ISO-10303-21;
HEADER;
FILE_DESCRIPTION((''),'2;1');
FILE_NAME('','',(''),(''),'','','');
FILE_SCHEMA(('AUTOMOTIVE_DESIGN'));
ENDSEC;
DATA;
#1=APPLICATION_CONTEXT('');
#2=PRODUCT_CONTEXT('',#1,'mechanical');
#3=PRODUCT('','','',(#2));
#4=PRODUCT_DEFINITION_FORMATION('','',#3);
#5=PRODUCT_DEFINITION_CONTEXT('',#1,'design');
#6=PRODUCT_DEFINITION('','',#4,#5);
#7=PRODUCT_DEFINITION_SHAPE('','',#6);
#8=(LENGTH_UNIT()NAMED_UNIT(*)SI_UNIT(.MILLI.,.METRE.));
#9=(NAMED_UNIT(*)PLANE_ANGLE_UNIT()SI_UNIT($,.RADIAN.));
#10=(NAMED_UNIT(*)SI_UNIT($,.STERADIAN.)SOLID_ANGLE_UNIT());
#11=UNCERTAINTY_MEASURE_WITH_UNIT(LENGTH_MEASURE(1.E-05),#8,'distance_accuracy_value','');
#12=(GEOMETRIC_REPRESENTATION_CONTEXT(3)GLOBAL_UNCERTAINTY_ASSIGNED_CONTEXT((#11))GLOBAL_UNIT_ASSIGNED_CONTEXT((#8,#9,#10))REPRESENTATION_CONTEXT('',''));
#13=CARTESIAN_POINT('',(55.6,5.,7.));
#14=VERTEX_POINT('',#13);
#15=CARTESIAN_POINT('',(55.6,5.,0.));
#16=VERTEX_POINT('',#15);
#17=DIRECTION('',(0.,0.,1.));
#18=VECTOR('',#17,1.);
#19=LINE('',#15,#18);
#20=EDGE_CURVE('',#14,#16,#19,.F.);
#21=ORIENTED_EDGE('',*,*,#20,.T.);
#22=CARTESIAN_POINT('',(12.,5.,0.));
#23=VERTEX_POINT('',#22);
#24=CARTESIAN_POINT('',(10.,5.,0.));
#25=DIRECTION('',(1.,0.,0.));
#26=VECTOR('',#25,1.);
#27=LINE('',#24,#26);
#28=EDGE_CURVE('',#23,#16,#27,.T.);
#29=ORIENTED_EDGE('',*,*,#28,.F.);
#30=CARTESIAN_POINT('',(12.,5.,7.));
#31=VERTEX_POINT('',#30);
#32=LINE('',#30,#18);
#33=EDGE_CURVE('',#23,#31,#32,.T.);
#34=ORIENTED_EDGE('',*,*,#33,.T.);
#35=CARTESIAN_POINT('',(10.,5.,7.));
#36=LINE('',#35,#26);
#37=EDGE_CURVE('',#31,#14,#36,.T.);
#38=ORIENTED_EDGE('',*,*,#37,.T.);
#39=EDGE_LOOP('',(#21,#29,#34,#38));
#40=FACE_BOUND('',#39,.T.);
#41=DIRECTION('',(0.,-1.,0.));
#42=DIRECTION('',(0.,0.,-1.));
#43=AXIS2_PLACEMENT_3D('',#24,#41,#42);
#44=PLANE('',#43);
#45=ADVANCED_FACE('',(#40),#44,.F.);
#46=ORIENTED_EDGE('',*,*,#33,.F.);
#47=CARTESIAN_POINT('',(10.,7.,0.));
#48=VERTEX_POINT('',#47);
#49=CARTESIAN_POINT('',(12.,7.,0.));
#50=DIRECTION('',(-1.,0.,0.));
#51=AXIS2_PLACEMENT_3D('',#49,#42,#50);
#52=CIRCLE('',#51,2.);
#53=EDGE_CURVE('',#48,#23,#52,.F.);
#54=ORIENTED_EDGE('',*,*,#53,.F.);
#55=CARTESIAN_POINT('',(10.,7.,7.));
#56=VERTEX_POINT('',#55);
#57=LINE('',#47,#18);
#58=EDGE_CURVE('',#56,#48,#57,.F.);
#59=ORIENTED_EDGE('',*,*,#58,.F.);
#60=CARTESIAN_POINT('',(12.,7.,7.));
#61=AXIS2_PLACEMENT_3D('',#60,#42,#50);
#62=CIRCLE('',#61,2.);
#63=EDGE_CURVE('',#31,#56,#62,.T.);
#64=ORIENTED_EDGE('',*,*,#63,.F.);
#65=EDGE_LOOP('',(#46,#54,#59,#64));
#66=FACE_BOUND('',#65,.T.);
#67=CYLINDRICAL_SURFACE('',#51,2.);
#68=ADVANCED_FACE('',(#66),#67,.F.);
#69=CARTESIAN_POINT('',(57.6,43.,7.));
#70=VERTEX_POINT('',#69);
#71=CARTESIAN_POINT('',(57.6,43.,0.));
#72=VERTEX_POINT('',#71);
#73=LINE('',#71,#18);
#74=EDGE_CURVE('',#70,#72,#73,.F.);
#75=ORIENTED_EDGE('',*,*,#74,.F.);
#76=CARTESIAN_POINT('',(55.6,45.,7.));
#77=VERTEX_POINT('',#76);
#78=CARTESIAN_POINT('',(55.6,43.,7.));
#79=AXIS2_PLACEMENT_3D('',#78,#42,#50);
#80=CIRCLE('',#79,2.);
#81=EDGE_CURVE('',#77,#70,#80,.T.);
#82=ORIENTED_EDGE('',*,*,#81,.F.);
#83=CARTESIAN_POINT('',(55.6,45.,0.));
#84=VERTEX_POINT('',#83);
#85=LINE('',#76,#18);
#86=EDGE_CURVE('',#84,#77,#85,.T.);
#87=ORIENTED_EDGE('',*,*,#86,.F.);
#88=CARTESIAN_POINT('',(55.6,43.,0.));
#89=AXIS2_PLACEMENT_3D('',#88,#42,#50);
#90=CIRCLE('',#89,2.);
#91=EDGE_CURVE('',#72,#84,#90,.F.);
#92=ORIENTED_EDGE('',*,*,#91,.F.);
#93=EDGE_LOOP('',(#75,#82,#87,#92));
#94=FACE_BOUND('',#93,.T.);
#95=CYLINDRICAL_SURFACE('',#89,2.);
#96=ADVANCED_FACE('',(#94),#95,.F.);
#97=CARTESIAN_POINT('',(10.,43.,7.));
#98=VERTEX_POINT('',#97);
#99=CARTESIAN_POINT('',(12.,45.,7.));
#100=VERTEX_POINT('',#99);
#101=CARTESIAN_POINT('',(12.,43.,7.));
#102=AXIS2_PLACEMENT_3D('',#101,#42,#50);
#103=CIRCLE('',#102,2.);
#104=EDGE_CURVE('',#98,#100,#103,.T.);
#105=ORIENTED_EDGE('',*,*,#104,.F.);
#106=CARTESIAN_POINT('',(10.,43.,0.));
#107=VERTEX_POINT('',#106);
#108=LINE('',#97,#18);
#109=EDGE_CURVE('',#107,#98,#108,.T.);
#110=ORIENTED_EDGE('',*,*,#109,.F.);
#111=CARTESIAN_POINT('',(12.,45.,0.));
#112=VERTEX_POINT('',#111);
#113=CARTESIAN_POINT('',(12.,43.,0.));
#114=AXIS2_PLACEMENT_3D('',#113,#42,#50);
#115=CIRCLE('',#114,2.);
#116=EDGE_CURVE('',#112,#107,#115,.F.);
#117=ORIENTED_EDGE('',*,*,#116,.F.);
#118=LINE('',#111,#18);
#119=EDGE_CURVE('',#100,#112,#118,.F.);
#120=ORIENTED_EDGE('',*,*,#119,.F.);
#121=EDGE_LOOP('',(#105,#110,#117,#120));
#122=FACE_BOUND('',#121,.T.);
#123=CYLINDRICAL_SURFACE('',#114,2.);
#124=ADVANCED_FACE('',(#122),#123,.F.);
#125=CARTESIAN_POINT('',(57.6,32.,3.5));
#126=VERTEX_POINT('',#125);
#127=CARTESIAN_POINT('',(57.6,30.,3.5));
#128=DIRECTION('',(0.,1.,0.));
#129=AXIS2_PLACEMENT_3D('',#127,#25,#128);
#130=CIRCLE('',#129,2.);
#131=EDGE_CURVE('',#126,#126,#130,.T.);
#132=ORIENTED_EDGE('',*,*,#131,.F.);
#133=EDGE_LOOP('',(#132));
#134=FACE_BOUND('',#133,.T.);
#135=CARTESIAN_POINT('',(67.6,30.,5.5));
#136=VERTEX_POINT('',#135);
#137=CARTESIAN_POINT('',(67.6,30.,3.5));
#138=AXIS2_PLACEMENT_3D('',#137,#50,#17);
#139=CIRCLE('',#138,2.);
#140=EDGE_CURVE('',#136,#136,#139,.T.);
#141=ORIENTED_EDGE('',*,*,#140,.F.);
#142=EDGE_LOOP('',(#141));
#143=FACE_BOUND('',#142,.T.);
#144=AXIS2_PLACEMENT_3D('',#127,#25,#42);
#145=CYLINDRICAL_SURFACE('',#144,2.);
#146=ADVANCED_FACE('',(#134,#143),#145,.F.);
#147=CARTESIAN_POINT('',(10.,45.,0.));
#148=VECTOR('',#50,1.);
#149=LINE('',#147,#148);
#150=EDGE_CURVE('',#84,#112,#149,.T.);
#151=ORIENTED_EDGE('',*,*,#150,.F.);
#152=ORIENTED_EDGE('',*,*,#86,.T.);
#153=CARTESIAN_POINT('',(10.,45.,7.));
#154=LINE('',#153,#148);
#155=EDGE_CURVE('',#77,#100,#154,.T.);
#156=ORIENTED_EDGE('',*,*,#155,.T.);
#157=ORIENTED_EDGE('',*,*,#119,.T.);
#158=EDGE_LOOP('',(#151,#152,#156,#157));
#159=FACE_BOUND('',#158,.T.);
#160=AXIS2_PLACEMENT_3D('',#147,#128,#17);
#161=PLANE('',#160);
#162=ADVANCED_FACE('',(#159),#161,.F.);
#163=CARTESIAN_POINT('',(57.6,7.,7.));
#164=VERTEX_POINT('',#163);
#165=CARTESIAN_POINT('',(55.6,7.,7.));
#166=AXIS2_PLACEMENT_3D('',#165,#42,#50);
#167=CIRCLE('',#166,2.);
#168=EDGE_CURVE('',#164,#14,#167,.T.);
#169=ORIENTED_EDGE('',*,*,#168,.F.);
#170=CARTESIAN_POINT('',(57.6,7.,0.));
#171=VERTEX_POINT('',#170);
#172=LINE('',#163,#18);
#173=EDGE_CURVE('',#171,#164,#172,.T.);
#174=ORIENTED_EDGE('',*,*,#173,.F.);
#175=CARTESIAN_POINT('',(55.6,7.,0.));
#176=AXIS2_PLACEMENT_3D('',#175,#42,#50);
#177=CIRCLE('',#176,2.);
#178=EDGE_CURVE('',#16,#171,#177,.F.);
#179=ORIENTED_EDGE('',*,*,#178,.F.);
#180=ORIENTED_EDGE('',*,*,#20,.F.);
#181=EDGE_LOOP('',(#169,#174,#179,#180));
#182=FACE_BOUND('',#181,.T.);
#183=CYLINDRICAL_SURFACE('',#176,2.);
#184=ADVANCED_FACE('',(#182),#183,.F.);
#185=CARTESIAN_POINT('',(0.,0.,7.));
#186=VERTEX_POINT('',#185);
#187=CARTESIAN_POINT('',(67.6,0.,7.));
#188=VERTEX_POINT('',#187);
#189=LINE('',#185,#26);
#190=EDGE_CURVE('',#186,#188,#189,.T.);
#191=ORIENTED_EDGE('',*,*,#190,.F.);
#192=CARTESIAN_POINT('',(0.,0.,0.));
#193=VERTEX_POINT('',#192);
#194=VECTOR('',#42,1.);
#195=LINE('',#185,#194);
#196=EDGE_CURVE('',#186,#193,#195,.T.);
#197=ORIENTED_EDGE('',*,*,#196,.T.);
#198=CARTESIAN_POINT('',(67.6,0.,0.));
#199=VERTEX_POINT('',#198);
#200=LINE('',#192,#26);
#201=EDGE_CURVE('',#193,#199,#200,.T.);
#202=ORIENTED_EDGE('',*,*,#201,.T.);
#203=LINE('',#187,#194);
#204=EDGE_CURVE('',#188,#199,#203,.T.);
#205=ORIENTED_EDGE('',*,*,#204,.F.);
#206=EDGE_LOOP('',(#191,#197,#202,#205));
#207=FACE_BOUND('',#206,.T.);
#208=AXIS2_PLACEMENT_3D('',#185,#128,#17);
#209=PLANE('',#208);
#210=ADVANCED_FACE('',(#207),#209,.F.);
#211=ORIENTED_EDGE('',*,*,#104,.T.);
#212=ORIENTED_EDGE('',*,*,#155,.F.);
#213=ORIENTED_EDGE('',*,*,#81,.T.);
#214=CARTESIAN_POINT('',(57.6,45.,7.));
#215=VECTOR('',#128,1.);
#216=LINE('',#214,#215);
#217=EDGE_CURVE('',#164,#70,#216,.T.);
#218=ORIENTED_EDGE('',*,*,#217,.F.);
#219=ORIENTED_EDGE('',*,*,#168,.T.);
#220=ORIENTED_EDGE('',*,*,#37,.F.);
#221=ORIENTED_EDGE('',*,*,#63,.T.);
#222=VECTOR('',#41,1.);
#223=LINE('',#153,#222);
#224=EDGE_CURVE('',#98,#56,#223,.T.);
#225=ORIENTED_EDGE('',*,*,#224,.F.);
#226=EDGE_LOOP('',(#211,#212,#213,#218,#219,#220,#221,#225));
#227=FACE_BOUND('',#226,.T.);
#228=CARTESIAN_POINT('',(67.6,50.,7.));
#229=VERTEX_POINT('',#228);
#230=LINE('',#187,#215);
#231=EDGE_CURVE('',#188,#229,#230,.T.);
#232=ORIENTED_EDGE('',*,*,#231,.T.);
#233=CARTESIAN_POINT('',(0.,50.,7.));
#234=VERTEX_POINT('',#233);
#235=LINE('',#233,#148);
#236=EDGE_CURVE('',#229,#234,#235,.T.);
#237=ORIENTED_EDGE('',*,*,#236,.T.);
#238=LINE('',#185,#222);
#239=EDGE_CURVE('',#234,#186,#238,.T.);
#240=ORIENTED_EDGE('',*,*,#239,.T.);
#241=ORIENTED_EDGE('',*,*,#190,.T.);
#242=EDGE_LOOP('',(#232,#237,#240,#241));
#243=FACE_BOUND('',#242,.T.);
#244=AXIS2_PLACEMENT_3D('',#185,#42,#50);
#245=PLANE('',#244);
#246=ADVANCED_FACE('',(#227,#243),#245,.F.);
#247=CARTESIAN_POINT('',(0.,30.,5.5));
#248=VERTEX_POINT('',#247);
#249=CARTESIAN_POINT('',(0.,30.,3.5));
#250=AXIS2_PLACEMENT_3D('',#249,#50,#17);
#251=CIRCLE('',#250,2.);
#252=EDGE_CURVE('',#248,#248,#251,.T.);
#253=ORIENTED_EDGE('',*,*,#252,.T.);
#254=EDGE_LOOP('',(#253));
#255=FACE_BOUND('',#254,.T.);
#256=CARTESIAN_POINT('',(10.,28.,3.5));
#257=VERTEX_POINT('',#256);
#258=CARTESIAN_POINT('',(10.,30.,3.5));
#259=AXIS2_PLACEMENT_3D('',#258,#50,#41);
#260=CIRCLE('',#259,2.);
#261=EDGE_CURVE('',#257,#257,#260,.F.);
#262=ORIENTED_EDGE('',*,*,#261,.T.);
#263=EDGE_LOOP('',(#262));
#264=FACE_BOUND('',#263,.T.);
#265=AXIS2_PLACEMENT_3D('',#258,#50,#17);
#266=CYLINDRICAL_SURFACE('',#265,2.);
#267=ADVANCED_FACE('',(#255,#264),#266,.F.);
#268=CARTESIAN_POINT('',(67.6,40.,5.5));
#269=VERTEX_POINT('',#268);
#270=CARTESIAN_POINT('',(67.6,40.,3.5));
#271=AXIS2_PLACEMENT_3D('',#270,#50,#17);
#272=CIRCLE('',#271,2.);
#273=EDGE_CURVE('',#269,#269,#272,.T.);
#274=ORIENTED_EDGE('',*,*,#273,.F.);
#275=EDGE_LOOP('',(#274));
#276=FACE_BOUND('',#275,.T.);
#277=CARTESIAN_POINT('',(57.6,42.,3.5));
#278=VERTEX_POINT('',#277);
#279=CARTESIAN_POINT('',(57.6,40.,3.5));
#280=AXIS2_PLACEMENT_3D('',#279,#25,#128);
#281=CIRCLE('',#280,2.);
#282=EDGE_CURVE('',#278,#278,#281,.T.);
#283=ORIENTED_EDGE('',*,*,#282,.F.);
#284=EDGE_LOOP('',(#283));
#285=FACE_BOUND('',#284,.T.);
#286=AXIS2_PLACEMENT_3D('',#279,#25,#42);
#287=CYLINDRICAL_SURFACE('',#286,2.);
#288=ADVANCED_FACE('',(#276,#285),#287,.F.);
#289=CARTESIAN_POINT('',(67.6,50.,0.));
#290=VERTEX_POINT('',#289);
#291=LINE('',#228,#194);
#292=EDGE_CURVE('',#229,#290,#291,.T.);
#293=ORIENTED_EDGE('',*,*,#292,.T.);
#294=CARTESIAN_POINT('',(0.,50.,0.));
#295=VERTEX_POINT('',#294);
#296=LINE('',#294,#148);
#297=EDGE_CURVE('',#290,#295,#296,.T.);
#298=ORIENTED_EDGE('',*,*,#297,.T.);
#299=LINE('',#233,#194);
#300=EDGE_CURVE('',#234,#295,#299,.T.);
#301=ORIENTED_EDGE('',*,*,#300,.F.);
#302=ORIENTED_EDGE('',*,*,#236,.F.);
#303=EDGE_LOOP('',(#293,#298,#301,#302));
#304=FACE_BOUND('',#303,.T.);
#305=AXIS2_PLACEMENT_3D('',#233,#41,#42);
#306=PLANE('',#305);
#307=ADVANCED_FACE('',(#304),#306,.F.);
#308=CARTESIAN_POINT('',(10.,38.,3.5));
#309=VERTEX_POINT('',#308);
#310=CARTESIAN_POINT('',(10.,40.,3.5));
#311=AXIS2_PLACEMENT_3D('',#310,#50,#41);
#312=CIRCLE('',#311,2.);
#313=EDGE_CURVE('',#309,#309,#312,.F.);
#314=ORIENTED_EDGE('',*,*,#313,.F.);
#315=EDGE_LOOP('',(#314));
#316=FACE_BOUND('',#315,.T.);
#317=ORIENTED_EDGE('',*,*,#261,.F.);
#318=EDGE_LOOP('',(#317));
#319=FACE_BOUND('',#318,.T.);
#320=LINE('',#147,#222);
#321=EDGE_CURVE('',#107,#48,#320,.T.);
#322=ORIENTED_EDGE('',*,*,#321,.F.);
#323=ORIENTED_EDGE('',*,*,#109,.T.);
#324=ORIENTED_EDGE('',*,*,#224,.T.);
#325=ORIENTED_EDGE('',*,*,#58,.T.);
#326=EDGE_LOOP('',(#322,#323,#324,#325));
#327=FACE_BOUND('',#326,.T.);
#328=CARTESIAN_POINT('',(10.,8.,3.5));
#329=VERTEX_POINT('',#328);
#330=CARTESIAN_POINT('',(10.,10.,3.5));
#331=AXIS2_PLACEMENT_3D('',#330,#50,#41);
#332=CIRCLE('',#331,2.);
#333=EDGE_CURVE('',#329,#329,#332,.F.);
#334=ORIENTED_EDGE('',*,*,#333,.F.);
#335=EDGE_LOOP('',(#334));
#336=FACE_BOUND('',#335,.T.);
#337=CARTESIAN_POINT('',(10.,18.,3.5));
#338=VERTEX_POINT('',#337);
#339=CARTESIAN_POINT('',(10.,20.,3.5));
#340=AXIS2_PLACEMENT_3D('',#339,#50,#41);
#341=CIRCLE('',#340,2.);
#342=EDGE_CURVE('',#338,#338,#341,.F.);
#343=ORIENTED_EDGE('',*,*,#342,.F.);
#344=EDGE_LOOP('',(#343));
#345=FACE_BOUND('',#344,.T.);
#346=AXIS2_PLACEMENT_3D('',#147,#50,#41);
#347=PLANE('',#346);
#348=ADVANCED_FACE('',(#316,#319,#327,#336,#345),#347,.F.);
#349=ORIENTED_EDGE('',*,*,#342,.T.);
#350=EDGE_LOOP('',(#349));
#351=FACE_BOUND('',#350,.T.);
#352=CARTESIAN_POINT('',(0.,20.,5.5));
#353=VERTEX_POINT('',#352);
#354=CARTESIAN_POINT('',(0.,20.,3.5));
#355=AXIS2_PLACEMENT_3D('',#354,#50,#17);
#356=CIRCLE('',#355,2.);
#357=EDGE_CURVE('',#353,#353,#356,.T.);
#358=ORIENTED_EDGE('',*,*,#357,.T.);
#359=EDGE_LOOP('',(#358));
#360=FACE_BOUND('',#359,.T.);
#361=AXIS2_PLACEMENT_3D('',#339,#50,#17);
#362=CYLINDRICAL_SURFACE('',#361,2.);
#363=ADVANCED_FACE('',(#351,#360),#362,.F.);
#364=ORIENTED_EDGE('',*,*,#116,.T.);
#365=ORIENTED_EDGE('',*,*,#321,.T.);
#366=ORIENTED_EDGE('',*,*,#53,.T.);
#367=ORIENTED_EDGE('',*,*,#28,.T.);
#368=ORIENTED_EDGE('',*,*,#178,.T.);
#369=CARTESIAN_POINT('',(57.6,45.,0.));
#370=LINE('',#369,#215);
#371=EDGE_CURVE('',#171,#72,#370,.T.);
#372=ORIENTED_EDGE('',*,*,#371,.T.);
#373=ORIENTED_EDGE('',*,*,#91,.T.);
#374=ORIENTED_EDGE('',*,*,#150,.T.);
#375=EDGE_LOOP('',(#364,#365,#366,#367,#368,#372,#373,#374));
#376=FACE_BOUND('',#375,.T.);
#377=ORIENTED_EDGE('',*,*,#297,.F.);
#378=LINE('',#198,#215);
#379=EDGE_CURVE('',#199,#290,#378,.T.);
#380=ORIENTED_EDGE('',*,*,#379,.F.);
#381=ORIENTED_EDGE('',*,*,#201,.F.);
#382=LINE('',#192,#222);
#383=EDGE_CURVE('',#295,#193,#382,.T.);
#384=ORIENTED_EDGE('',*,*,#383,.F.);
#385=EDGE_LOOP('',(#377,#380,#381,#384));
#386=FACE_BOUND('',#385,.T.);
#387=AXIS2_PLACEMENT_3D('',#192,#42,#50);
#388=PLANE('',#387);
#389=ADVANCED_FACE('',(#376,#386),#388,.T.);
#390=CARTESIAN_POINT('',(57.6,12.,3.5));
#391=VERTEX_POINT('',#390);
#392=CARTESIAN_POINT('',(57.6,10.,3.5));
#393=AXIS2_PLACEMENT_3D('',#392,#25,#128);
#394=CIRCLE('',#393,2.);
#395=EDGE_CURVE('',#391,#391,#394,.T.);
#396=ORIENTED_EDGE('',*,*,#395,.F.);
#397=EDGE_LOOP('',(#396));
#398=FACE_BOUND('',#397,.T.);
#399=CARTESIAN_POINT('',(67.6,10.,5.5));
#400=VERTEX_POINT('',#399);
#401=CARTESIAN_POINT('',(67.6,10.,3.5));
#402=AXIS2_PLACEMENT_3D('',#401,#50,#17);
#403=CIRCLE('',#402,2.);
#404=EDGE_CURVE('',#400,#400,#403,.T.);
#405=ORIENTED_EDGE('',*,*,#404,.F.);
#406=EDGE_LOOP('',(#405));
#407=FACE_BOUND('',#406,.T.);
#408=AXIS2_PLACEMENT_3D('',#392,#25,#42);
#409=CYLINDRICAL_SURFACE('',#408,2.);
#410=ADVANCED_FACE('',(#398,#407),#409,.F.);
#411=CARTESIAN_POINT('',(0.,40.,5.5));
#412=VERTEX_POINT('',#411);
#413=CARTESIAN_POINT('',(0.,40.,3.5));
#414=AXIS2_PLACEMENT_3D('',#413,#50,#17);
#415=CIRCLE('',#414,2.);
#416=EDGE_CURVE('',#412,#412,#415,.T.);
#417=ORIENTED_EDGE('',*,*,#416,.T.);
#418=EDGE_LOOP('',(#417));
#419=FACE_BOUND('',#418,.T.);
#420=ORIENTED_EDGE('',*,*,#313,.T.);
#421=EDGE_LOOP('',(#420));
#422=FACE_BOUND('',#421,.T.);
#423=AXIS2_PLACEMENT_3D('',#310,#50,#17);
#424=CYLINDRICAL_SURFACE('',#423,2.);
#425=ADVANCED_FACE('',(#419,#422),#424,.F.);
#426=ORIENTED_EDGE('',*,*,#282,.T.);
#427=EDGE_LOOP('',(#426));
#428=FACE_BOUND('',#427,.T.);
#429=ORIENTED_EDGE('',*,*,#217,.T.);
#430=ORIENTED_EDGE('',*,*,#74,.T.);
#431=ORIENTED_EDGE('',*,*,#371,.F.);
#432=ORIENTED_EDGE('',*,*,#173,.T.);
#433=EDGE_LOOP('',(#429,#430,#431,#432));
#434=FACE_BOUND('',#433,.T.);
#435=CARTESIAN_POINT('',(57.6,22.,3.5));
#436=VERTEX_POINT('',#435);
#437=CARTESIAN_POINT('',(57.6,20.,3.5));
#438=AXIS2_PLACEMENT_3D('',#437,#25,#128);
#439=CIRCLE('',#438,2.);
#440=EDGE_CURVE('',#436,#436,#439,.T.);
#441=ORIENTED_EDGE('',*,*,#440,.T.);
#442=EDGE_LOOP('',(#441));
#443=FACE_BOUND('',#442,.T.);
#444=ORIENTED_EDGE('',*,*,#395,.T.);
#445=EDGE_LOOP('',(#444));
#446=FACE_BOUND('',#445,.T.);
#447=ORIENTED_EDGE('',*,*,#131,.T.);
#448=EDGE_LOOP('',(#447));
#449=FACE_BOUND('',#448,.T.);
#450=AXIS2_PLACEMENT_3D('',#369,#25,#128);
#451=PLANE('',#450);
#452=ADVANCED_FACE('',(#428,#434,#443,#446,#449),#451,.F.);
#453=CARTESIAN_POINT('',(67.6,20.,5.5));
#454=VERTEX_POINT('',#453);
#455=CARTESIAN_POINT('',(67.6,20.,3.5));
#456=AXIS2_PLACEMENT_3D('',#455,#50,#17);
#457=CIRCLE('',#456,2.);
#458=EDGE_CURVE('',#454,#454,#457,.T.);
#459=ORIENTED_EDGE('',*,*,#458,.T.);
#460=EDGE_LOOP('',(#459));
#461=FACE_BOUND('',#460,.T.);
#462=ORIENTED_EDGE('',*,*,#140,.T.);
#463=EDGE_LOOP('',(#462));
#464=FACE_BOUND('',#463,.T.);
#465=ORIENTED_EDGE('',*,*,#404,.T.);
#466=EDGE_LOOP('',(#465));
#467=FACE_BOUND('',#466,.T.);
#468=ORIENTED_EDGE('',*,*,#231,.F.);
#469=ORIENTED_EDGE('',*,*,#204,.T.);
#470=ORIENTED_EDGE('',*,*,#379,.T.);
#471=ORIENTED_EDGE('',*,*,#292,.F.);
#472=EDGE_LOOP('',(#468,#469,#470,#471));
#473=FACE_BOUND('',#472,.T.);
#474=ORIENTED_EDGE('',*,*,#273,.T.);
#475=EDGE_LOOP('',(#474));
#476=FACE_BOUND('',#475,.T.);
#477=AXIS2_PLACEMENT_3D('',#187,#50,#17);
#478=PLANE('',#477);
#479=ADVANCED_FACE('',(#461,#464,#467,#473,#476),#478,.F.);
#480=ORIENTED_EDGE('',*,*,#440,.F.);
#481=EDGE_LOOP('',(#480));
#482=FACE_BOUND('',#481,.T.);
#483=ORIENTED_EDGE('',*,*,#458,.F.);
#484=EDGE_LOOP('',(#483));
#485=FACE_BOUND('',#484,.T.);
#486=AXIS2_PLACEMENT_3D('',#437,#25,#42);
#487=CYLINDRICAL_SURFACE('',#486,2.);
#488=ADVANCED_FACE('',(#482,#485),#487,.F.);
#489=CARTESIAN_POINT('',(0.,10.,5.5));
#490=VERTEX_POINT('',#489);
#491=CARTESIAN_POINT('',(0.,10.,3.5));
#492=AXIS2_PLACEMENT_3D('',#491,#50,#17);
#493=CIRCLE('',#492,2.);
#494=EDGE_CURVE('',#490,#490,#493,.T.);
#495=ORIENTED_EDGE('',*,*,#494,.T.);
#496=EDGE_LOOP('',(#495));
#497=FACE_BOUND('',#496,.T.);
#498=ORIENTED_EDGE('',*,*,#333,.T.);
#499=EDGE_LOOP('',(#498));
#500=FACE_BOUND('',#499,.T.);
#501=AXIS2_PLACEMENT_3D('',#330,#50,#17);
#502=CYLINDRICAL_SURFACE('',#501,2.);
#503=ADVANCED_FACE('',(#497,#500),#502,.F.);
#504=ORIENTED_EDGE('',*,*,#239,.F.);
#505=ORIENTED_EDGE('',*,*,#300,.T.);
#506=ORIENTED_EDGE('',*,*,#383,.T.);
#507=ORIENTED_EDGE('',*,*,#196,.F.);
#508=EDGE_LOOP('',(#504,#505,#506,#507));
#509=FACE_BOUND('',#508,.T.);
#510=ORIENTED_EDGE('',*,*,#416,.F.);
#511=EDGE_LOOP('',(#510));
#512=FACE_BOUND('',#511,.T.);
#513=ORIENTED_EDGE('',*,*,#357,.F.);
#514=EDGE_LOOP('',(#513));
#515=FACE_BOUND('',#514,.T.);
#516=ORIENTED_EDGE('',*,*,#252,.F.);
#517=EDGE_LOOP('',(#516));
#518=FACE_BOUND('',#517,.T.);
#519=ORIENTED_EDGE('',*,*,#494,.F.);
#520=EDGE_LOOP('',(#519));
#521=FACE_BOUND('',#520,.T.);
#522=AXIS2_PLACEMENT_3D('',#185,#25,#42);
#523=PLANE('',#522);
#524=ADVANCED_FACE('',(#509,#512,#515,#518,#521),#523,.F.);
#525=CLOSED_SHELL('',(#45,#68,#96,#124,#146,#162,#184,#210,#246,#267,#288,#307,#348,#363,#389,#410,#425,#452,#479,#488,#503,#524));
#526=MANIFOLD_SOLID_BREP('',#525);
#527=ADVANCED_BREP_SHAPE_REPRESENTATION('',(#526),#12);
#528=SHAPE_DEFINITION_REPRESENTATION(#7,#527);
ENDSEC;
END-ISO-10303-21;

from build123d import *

# Parameters (mm, degrees)
SKETCH_1_W          = 67.6
SKETCH_1_H          = 50
EXTRUDE_1_DEPTH     = 7
SKETCH_2_R          = 2
CUT_EXTRUDE_1_DEPTH = 10
SKETCH_3_W          = 47.6
SKETCH_3_H          = 40
CUT_EXTRUDE_2_DEPTH = 7
FILLET_1_R          = 2


with BuildPart() as part:
    # 草图1 → 凸台-拉伸1 (new body)
    with BuildSketch(Plane.XY):
        with Locations((33.8, 25)):
            Rectangle(SKETCH_1_W, SKETCH_1_H)
    extrude(amount=EXTRUDE_1_DEPTH)

    # 草图2 → 切除-拉伸1 (cut)
    with BuildSketch(Plane.ZY):
        with Locations((3.5, 40)):
            Circle(SKETCH_2_R)
        with Locations((3.5, 30)):
            Circle(SKETCH_2_R)
        with Locations((3.5, 20)):
            Circle(SKETCH_2_R)
        with Locations((3.5, 10)):
            Circle(SKETCH_2_R)
    cut_extrude_1 = extrude(amount=-CUT_EXTRUDE_1_DEPTH, mode=Mode.SUBTRACT)

    # 镜向1: 切除-拉伸1 across plane
    add(cut_extrude_1.mirror(Plane(origin=(33.8, 0, 0), x_dir=(0, 0, 1), z_dir=(1, 0, 0))), mode=Mode.SUBTRACT)

    # 草图3 → 切除-拉伸2 (cut)
    with BuildSketch(Plane.XY.offset(7)):
        with Locations((33.8, 25)):
            Rectangle(SKETCH_3_W, SKETCH_3_H)
    extrude(amount=-CUT_EXTRUDE_2_DEPTH, mode=Mode.SUBTRACT)

    # 圆角1
    fillet_1_edges = [part.edges().sort_by_distance(p)[0] for p in [
        (10, 5, 3.5),
        (10, 45, 3.5),
        (57.6, 45, 3.5),
        (57.6, 5, 3.5),
    ]]
    fillet(fillet_1_edges, radius=FILLET_1_R)


solid = part.part
